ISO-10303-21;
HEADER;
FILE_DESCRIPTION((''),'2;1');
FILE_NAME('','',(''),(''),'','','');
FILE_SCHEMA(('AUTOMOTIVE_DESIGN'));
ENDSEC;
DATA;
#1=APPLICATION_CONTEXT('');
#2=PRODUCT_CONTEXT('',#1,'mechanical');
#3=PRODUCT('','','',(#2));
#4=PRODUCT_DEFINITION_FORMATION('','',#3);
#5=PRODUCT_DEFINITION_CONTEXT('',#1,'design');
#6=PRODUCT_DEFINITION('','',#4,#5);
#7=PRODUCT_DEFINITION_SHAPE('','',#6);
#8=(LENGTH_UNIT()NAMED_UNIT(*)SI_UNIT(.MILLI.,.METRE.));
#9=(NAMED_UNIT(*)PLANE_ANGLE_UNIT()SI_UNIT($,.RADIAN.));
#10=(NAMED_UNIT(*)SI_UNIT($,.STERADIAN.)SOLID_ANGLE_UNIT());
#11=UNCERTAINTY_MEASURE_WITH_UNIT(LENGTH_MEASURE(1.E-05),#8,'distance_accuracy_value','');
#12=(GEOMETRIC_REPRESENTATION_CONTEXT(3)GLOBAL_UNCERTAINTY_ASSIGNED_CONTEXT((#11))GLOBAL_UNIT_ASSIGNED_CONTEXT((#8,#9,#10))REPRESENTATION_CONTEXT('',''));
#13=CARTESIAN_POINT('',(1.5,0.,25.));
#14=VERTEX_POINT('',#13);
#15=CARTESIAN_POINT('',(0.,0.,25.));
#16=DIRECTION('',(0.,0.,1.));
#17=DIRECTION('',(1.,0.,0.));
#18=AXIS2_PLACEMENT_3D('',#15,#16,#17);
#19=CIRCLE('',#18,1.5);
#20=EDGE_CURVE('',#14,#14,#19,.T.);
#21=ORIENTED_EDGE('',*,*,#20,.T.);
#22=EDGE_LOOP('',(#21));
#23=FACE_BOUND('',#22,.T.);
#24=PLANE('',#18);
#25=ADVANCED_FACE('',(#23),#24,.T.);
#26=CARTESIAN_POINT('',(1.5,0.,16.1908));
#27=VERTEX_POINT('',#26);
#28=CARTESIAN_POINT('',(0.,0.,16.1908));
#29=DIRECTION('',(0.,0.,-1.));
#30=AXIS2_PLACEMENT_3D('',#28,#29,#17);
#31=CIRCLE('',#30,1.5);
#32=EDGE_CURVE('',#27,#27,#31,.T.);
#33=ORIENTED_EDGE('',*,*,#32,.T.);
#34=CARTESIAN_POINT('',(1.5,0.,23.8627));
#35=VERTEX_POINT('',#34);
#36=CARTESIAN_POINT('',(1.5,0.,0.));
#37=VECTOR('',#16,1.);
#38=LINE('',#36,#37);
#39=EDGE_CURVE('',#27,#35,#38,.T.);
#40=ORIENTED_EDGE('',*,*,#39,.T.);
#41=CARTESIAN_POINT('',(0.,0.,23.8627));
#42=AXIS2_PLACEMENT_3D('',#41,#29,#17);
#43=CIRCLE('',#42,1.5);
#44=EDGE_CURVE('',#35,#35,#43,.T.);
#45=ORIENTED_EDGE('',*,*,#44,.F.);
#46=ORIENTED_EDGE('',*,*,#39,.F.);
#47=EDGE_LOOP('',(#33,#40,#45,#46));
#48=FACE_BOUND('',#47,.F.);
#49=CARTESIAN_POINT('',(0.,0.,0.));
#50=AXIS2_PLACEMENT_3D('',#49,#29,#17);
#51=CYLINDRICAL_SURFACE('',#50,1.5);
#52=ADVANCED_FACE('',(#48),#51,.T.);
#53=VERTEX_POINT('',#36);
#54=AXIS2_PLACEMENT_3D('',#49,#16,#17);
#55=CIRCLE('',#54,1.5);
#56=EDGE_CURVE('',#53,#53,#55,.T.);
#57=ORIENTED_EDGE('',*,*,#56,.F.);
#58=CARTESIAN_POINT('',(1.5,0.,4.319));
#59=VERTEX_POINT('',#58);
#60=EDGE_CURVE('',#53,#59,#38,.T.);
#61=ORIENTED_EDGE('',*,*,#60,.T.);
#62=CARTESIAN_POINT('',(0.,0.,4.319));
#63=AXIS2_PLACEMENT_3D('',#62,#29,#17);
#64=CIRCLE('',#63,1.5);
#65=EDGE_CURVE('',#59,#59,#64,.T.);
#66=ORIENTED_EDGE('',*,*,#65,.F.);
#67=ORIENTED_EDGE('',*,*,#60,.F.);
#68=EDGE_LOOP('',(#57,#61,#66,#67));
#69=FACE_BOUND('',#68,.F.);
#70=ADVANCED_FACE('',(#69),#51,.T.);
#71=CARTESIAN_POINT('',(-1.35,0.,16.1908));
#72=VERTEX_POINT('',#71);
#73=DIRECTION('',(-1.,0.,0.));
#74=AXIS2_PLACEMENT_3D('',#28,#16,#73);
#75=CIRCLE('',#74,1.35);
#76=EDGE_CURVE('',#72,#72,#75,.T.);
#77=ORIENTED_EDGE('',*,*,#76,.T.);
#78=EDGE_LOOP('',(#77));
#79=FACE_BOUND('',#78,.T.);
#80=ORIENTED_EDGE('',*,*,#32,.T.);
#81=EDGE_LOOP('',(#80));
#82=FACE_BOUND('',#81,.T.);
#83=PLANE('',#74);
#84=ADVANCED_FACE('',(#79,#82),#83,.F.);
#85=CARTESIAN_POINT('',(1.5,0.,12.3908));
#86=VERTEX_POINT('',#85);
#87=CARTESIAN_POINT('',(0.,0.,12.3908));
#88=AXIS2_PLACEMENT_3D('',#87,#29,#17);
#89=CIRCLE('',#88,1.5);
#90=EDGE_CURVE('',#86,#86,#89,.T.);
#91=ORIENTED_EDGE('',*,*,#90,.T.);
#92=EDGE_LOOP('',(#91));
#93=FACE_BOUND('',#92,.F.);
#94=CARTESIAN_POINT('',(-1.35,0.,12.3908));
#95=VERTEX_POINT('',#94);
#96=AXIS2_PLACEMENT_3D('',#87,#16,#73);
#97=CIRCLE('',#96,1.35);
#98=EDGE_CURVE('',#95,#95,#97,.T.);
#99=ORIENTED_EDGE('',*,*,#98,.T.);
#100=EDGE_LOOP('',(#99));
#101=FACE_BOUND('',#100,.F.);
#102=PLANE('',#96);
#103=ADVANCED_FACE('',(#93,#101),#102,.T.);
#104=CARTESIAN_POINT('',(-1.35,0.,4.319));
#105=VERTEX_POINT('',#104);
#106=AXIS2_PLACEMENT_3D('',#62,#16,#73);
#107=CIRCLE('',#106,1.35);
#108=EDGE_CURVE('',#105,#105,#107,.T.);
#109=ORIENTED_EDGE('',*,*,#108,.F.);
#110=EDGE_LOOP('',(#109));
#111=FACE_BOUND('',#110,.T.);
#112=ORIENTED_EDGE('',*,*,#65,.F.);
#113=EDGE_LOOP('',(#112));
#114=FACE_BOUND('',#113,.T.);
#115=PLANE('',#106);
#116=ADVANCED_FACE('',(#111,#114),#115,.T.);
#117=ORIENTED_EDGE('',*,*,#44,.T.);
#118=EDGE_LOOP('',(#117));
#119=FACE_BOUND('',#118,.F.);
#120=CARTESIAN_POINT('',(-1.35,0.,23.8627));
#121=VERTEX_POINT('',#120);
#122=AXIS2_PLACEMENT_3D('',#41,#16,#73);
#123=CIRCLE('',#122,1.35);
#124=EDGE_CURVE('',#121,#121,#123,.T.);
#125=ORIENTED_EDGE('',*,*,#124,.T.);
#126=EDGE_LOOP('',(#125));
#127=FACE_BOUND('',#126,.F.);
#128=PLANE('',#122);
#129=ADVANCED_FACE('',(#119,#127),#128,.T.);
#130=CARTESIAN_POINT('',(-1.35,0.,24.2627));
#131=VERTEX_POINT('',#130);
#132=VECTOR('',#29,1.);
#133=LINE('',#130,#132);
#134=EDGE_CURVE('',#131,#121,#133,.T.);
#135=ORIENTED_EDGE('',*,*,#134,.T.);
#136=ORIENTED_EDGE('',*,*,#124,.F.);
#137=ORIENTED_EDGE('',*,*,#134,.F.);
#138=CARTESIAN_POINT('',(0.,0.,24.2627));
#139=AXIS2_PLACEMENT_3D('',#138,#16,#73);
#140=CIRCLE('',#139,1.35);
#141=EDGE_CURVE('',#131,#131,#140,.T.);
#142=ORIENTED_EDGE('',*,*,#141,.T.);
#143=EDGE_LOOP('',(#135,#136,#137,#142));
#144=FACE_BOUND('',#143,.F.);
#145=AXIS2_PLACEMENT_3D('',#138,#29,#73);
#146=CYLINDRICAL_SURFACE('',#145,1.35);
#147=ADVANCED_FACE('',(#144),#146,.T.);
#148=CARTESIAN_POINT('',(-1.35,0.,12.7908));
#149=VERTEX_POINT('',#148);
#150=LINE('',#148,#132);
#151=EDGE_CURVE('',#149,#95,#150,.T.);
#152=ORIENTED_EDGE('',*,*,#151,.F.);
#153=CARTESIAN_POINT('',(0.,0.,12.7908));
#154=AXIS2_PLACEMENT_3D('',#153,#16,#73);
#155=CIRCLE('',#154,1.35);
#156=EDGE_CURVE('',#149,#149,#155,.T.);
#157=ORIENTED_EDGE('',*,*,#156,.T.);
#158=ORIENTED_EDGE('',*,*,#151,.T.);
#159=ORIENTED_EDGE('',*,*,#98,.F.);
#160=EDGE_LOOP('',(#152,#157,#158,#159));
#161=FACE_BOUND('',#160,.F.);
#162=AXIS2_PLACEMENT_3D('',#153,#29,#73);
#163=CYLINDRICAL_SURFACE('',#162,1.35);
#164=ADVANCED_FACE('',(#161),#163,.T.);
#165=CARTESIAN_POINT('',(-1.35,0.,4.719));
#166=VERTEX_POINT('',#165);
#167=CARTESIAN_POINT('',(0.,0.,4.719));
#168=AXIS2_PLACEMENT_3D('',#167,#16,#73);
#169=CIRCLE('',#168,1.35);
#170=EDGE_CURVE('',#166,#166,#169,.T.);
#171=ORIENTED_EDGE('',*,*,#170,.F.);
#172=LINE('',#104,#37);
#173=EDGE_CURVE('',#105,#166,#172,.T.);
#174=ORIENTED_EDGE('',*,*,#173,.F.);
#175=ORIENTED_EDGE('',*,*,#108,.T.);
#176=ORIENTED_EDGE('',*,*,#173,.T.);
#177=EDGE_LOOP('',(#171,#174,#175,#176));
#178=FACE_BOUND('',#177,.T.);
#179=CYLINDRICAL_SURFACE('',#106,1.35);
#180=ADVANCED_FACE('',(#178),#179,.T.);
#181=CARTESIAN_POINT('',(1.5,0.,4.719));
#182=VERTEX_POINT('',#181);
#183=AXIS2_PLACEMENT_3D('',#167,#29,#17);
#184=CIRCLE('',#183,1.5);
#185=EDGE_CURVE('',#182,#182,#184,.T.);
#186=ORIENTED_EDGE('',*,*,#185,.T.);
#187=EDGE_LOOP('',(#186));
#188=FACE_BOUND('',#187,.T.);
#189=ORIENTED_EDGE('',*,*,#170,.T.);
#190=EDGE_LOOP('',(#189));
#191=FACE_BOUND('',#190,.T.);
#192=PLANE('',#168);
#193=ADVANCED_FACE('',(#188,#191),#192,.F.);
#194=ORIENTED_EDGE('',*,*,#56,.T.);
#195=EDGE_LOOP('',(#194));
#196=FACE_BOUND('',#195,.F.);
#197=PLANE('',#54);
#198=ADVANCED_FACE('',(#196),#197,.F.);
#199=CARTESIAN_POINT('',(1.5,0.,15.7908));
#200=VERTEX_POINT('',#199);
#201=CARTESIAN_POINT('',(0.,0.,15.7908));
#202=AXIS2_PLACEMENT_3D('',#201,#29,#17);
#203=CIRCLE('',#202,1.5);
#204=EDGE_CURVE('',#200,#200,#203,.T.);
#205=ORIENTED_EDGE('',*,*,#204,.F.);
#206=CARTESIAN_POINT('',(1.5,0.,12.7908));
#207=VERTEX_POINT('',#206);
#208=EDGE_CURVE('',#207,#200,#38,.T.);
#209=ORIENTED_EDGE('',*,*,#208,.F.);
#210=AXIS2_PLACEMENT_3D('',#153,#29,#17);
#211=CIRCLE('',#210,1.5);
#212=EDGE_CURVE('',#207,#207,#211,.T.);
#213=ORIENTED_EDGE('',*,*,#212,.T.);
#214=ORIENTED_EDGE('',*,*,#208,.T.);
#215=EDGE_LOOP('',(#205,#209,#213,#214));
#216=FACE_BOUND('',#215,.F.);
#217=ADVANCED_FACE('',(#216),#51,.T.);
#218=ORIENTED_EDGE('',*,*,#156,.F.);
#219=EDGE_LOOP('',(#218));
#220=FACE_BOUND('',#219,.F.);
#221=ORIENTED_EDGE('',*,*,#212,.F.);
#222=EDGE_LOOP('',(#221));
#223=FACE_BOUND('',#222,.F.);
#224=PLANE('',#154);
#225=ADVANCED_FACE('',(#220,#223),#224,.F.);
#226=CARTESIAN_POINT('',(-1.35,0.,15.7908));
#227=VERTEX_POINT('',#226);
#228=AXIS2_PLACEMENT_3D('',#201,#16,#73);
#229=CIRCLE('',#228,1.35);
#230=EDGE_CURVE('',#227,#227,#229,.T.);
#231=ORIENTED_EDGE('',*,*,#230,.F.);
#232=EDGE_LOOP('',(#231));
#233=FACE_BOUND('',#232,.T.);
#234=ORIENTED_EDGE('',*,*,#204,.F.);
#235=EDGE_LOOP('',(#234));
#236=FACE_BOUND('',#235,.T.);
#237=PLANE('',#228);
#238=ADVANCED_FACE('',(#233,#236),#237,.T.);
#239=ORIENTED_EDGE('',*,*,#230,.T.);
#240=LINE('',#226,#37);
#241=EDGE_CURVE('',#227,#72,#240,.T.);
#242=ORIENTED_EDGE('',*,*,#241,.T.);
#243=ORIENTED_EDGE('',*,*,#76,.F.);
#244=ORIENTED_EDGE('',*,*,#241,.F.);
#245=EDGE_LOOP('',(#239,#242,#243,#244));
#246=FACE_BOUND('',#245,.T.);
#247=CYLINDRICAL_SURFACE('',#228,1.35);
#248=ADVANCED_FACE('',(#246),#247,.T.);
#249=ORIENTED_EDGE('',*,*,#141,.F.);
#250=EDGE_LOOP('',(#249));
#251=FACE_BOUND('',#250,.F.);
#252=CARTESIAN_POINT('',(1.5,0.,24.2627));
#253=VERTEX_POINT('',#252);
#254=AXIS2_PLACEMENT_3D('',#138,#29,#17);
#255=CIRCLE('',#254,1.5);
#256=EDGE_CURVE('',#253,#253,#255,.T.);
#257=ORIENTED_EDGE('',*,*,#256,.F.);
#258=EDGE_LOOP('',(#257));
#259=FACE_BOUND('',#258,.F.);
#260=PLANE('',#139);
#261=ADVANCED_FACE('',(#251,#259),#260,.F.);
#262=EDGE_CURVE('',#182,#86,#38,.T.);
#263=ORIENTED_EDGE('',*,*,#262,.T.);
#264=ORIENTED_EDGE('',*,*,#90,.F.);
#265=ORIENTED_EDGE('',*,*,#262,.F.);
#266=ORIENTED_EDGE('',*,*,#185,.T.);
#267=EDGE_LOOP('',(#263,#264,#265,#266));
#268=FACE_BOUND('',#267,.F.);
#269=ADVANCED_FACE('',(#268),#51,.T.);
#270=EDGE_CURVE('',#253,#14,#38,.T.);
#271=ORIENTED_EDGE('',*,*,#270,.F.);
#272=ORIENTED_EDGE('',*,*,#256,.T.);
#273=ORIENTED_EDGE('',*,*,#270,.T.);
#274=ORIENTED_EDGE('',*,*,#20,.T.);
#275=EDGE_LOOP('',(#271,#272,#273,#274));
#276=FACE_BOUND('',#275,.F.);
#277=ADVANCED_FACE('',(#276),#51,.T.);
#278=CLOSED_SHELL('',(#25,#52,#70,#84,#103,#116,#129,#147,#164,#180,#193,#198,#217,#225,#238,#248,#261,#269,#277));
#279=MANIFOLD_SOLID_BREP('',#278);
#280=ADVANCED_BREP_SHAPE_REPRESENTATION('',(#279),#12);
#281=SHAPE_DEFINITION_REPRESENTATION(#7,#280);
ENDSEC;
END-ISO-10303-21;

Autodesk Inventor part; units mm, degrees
ref_plane "YZ Plane" through (0, 0, 0) normal (1, 0, 0) x (0, 1, 0)
ref_plane "XZ Plane" through (0, 0, 0) normal (0, 1, 0) x (-1, 0, 0)
ref_plane "XY Plane" through (0, 0, 0) normal (0, 0, 1) x (1, 0, 0)
sketch "Sketch2" plane through (0, 0, 0) normal (0, 0, 1) x (1, 0, 0)
  line L0 (-2.1, 0) -> (2.1, 0) construction
  line L1 (0, -2.1) -> (0, 2.1) construction
  circle A0 centre (0, 0) radius 1.5
  dimension "d0" = 3
extrude "Extrusion1" add sketch "Sketch2" along normal blind 25
sketch "Sketch5" plane through (0, 0, 0) normal (0, 1, 0) x (-1, 0, 0)
  line L0 (6.2344, 4.319) -> (-2.0994, 4.319) construction
  line L1 (-2.0994, 24.2627) -> (6.2344, 24.2627) construction
  line L2 (1.5, 0) -> (-1.5, 0) construction
  line L3 (1.5, 25) -> (-1.5, 25) construction
  line L4 (1.5, 0) -> (1.5, 25) projected
  line L5 (1.5, 4.319) -> (1.35, 4.319)
  line L6 (1.35, 4.319) -> (1.35, 4.719)
  line L7 (1.35, 4.719) -> (1.5, 4.719)
  line L8 (1.5, 4.719) -> (1.5, 4.319)
  line L9 (1.5, 24.2627) -> (1.35, 24.2627)
  line L10 (1.35, 24.2627) -> (1.35, 23.8627)
  line L11 (1.35, 23.8627) -> (1.5, 23.8627)
  line L12 (1.5, 23.8627) -> (1.5, 24.2627)
  line L13 (0, 0) -> (0, 25)
  line L14 (0, 4.319) -> (0, 14.2908) construction
  line L15 (0, 14.2908) -> (0, 24.2627) construction
  line L16 (0, 14.2908) -> (0, 12.7908) construction
  line L17 (0, 14.2908) -> (0, 15.7908) construction
  line L18 (1.5, 0) -> (1.5, 25) projected
  line L19 (1.5, 12.7908) -> (1.35, 12.7908)
  line L20 (1.35, 12.7908) -> (1.35, 12.3908)
  line L21 (1.35, 12.3908) -> (1.5, 12.3908)
  line L22 (1.5, 12.3908) -> (1.5, 12.7908)
  line L23 (1.5, 0) -> (1.5, 25) projected
  line L24 (1.5, 15.7908) -> (1.35, 15.7908)
  line L25 (1.35, 15.7908) -> (1.35, 16.1908)
  line L26 (1.35, 16.1908) -> (1.5, 16.1908)
  line L27 (1.5, 16.1908) -> (1.5, 15.7908)
  point P0 (1.425, 12.7908)
  point P1 (1.425, 15.7908)
  point P2 (1.5, 12.3908)
  dimension "d3" = 2.7
  dimension "d4" = 0.4
  dimension "d7" = 3
revolve "Revolution1" cut sketch "Sketch5" angle 360 about axis through (0, 0, 0) along (0, 0, 1)
properties part number "P005" material "Aluminium"
